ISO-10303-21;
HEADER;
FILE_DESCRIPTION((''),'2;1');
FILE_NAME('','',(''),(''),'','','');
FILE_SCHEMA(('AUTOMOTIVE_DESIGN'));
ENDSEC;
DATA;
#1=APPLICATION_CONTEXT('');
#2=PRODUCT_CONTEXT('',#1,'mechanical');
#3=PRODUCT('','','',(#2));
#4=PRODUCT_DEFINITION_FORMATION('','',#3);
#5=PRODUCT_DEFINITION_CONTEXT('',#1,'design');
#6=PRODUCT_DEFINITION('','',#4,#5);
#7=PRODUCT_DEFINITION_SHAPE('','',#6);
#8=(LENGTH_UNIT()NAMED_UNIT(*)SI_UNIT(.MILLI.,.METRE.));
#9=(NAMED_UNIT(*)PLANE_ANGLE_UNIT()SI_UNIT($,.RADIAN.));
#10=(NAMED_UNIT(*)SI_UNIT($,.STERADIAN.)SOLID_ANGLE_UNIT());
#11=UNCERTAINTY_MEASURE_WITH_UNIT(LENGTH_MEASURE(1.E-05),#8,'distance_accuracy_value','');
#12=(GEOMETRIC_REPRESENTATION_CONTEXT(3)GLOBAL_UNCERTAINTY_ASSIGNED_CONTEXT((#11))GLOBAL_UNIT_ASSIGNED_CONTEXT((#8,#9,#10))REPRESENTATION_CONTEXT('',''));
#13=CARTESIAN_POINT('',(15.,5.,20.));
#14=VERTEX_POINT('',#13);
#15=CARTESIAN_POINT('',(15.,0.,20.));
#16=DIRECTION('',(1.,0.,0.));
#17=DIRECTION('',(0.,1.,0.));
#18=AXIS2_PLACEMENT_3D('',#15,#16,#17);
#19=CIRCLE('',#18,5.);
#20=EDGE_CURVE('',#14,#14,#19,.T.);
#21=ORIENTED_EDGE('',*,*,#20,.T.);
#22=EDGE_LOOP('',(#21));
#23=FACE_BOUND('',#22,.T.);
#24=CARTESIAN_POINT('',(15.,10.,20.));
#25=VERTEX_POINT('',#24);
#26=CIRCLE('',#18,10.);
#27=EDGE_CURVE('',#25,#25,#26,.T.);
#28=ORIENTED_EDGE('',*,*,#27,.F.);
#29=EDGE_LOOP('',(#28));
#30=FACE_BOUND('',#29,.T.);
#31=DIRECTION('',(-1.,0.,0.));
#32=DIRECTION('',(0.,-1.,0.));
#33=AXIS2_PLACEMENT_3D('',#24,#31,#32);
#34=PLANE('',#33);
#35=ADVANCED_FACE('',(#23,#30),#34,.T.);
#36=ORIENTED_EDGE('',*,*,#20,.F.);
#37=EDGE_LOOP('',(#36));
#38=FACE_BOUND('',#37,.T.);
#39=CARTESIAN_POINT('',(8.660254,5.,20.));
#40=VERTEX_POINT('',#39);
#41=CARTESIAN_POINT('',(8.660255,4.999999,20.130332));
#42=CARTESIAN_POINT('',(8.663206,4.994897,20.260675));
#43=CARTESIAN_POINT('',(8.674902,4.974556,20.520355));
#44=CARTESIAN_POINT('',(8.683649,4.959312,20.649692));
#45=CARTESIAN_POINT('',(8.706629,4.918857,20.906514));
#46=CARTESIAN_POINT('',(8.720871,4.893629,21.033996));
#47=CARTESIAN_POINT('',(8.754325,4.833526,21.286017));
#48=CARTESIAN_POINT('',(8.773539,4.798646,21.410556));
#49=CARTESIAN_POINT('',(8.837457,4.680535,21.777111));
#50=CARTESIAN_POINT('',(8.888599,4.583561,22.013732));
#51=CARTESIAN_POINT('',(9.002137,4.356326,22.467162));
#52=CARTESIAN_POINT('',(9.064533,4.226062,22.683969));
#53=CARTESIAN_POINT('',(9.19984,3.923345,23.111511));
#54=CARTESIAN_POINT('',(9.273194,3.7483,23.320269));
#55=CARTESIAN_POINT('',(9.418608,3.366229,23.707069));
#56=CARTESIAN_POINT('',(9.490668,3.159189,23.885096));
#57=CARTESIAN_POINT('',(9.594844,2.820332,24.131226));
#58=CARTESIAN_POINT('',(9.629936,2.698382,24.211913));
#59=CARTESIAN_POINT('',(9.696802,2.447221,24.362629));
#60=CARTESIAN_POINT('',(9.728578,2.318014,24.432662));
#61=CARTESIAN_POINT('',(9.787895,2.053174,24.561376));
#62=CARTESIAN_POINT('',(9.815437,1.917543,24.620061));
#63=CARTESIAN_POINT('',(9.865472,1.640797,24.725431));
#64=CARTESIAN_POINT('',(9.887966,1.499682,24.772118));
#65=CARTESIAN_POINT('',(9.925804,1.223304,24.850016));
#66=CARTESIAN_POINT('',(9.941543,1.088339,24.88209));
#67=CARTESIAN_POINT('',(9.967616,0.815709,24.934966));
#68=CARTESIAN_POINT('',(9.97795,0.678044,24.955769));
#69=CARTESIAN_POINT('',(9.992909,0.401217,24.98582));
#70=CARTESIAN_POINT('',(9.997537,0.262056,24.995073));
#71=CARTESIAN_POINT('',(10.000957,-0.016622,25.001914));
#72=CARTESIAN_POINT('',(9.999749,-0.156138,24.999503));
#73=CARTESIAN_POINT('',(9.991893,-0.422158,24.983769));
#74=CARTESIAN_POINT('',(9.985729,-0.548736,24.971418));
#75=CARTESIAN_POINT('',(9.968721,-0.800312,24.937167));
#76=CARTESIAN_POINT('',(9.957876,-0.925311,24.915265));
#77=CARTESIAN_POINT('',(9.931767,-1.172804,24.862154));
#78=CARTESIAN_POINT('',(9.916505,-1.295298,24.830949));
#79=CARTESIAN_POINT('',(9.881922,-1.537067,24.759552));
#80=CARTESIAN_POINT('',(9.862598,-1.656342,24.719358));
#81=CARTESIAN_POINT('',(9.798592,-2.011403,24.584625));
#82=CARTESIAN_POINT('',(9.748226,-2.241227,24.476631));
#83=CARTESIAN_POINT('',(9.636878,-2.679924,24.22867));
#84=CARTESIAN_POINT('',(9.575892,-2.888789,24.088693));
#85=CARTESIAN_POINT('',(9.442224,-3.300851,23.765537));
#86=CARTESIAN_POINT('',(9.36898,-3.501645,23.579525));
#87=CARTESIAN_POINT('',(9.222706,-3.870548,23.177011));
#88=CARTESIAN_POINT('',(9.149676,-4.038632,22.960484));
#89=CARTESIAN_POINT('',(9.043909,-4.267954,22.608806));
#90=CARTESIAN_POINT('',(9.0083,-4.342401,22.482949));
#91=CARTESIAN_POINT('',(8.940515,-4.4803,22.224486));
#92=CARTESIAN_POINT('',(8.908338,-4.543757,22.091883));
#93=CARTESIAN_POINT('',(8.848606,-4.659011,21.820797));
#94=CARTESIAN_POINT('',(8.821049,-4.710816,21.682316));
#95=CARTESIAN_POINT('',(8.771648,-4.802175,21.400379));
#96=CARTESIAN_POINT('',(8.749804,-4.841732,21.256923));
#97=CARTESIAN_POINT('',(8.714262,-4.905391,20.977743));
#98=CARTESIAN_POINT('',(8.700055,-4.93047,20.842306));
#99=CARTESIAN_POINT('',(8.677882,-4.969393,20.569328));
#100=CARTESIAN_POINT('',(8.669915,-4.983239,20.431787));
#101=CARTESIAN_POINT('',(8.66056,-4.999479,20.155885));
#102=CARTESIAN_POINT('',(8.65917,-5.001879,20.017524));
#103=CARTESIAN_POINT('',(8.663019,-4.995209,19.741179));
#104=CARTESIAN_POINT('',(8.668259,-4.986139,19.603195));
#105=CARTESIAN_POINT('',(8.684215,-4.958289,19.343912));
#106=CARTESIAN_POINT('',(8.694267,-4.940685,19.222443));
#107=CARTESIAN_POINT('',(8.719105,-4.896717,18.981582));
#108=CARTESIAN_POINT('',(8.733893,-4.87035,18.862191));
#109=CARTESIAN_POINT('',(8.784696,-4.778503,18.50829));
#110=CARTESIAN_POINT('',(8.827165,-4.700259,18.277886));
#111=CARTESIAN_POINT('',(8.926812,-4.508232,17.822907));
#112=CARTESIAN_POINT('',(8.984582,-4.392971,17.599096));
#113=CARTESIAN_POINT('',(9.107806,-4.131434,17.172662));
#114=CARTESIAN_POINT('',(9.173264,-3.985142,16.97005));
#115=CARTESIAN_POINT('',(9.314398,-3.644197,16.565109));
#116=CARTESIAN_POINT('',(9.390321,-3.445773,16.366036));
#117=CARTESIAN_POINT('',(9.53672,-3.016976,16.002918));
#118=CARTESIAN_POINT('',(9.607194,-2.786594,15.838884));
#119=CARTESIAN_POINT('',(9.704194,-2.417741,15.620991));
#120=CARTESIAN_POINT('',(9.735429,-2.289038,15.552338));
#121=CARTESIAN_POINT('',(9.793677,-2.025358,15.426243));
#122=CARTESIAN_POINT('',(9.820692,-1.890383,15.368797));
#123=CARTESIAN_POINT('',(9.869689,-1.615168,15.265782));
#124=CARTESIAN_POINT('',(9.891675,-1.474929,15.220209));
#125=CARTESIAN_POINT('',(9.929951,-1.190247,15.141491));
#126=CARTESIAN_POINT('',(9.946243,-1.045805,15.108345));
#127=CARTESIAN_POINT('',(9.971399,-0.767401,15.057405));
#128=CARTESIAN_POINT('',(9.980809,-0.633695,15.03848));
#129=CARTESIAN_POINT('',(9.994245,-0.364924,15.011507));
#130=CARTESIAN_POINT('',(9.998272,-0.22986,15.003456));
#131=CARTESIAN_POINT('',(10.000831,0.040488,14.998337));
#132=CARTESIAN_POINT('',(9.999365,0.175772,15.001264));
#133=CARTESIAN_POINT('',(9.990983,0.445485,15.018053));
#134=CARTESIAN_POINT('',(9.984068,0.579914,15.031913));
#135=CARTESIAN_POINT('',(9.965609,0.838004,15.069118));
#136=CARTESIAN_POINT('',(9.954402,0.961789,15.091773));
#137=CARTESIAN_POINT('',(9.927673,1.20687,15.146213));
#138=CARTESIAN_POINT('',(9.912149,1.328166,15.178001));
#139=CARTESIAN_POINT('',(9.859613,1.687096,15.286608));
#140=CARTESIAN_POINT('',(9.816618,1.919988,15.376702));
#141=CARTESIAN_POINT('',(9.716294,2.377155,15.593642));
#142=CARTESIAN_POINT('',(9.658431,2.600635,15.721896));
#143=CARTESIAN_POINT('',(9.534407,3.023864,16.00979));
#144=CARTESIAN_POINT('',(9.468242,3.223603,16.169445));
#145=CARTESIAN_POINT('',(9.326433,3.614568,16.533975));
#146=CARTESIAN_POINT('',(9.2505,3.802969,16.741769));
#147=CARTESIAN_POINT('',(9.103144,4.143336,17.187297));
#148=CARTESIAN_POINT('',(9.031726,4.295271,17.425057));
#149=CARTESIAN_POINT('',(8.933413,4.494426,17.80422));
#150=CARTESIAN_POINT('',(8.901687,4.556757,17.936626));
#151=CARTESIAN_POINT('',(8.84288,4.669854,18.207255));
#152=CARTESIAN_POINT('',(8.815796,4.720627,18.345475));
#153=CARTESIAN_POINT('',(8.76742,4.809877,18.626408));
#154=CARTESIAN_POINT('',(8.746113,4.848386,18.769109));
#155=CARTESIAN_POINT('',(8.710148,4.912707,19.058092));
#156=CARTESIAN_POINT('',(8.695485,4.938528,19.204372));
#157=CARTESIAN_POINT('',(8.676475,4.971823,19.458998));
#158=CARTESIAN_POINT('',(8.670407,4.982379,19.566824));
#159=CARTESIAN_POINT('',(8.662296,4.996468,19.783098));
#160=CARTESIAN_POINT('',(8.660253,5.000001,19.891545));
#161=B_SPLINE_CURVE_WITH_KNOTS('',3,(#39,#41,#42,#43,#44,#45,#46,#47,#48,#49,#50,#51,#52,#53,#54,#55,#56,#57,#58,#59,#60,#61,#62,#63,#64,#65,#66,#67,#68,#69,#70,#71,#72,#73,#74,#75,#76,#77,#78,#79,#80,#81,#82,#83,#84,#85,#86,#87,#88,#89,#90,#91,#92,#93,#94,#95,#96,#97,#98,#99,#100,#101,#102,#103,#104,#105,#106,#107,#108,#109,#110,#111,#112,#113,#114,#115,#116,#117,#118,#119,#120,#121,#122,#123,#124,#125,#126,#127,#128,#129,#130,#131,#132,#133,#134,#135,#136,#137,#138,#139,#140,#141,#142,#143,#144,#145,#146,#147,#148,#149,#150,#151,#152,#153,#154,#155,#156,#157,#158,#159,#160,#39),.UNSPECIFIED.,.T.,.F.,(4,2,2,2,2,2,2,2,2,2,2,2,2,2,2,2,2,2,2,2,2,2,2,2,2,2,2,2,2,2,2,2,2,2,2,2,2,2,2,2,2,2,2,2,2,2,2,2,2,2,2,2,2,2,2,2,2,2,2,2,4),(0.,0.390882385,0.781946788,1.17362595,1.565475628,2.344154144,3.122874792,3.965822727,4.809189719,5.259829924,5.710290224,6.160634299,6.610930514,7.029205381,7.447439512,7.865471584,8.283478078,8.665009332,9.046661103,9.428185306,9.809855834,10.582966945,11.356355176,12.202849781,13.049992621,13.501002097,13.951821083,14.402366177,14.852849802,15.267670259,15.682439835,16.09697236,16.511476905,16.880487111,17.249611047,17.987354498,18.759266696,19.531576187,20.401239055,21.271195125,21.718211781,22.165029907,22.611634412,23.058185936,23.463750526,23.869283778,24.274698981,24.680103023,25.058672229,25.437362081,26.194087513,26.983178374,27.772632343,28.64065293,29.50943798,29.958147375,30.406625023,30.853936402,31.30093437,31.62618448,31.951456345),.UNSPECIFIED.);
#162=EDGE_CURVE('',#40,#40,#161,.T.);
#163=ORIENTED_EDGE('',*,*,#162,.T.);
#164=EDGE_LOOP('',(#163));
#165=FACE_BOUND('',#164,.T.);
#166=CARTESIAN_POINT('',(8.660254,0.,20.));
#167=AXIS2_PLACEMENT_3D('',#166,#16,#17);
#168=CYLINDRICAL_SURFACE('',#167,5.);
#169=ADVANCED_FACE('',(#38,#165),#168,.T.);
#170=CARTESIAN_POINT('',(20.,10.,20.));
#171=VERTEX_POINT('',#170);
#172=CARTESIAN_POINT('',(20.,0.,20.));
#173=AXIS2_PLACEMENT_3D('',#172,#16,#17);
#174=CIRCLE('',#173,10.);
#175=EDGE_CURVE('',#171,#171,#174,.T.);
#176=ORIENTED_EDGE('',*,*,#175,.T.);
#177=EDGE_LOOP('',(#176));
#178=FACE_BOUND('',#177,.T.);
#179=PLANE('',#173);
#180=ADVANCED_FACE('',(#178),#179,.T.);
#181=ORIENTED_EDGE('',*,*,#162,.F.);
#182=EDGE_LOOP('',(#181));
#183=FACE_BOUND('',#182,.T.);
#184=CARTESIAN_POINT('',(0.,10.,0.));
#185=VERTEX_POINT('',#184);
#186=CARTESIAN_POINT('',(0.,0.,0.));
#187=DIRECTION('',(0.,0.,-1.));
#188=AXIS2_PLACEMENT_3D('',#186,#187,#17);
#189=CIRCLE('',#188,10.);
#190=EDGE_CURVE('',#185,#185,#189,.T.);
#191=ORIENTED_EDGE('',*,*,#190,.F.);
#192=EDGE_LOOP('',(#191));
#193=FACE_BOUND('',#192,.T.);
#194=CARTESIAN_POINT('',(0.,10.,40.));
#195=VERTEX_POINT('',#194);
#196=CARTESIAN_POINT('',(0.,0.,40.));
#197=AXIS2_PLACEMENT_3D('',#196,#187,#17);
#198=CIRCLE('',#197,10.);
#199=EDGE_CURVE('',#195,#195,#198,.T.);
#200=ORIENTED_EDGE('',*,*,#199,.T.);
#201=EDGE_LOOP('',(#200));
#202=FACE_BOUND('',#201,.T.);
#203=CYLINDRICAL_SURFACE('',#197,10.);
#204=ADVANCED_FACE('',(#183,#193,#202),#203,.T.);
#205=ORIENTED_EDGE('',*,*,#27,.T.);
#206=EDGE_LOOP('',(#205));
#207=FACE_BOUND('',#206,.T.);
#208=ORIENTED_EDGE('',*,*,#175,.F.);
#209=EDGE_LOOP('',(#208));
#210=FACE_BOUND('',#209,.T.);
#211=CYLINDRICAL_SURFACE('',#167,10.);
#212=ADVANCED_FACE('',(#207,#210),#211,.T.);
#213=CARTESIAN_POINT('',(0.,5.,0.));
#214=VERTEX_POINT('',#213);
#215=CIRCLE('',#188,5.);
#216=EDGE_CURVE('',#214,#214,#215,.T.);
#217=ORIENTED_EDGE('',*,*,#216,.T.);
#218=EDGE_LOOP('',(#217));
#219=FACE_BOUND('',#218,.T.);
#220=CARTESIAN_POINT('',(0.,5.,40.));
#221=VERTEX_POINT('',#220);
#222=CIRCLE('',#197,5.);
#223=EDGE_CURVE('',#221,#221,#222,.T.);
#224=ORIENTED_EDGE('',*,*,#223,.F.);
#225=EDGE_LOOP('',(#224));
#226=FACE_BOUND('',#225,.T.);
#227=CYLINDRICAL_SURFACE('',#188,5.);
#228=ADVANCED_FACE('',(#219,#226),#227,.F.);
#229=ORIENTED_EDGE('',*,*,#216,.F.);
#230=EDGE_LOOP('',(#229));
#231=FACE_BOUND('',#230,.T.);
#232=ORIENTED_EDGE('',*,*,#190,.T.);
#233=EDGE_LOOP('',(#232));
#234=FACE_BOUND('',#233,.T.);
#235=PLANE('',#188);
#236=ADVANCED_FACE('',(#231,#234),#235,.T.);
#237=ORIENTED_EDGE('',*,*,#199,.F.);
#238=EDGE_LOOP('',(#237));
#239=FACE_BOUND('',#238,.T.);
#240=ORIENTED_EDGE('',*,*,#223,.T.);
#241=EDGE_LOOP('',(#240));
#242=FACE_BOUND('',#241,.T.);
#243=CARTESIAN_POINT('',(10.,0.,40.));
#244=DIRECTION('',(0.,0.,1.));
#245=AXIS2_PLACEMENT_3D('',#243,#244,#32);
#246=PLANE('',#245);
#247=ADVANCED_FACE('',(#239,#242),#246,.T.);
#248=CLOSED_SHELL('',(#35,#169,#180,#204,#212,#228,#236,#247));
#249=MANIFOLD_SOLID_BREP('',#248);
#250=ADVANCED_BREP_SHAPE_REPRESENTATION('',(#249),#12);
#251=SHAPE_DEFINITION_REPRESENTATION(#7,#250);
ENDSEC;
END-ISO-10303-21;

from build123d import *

# Parameters (mm, degrees)
SKETCH1_W                      = 10
SKETCH1_H                      = 40
F_10_0_10_DIAMETER_HOLE1_D     = 10
F_10_0_10_DIAMETER_HOLE1_DEPTH = 40


with BuildPart() as part:
    # Sketch1 → Revolve1 (revolve)
    with BuildSketch(Plane.XZ):
        with Locations((5, 20)):
            Rectangle(SKETCH1_W, SKETCH1_H)
    revolve(axis=Axis((0, 0, 40), (0, 0, -1)))

    # Sketch2 → Revolve2 (revolve)
    with BuildSketch(Plane.XY.offset(20)):
        Polygon((20, 0), (20, 10), (15, 10), (15, 5), (8.660254038, 5), (8.660254038, 0), align=None)
    revolve(axis=Axis((8.660254038, 0, 20), (1, 0, 0)))

    # Ø10.0 (10) Diameter Hole1
    with Locations(Plane(origin=(0, 0, 0), x_dir=(-1, 0, 0), z_dir=(0, 0, -1))):
        with Locations((0, 0)):
            Hole(F_10_0_10_DIAMETER_HOLE1_D / 2, depth=F_10_0_10_DIAMETER_HOLE1_DEPTH)


solid = part.part
